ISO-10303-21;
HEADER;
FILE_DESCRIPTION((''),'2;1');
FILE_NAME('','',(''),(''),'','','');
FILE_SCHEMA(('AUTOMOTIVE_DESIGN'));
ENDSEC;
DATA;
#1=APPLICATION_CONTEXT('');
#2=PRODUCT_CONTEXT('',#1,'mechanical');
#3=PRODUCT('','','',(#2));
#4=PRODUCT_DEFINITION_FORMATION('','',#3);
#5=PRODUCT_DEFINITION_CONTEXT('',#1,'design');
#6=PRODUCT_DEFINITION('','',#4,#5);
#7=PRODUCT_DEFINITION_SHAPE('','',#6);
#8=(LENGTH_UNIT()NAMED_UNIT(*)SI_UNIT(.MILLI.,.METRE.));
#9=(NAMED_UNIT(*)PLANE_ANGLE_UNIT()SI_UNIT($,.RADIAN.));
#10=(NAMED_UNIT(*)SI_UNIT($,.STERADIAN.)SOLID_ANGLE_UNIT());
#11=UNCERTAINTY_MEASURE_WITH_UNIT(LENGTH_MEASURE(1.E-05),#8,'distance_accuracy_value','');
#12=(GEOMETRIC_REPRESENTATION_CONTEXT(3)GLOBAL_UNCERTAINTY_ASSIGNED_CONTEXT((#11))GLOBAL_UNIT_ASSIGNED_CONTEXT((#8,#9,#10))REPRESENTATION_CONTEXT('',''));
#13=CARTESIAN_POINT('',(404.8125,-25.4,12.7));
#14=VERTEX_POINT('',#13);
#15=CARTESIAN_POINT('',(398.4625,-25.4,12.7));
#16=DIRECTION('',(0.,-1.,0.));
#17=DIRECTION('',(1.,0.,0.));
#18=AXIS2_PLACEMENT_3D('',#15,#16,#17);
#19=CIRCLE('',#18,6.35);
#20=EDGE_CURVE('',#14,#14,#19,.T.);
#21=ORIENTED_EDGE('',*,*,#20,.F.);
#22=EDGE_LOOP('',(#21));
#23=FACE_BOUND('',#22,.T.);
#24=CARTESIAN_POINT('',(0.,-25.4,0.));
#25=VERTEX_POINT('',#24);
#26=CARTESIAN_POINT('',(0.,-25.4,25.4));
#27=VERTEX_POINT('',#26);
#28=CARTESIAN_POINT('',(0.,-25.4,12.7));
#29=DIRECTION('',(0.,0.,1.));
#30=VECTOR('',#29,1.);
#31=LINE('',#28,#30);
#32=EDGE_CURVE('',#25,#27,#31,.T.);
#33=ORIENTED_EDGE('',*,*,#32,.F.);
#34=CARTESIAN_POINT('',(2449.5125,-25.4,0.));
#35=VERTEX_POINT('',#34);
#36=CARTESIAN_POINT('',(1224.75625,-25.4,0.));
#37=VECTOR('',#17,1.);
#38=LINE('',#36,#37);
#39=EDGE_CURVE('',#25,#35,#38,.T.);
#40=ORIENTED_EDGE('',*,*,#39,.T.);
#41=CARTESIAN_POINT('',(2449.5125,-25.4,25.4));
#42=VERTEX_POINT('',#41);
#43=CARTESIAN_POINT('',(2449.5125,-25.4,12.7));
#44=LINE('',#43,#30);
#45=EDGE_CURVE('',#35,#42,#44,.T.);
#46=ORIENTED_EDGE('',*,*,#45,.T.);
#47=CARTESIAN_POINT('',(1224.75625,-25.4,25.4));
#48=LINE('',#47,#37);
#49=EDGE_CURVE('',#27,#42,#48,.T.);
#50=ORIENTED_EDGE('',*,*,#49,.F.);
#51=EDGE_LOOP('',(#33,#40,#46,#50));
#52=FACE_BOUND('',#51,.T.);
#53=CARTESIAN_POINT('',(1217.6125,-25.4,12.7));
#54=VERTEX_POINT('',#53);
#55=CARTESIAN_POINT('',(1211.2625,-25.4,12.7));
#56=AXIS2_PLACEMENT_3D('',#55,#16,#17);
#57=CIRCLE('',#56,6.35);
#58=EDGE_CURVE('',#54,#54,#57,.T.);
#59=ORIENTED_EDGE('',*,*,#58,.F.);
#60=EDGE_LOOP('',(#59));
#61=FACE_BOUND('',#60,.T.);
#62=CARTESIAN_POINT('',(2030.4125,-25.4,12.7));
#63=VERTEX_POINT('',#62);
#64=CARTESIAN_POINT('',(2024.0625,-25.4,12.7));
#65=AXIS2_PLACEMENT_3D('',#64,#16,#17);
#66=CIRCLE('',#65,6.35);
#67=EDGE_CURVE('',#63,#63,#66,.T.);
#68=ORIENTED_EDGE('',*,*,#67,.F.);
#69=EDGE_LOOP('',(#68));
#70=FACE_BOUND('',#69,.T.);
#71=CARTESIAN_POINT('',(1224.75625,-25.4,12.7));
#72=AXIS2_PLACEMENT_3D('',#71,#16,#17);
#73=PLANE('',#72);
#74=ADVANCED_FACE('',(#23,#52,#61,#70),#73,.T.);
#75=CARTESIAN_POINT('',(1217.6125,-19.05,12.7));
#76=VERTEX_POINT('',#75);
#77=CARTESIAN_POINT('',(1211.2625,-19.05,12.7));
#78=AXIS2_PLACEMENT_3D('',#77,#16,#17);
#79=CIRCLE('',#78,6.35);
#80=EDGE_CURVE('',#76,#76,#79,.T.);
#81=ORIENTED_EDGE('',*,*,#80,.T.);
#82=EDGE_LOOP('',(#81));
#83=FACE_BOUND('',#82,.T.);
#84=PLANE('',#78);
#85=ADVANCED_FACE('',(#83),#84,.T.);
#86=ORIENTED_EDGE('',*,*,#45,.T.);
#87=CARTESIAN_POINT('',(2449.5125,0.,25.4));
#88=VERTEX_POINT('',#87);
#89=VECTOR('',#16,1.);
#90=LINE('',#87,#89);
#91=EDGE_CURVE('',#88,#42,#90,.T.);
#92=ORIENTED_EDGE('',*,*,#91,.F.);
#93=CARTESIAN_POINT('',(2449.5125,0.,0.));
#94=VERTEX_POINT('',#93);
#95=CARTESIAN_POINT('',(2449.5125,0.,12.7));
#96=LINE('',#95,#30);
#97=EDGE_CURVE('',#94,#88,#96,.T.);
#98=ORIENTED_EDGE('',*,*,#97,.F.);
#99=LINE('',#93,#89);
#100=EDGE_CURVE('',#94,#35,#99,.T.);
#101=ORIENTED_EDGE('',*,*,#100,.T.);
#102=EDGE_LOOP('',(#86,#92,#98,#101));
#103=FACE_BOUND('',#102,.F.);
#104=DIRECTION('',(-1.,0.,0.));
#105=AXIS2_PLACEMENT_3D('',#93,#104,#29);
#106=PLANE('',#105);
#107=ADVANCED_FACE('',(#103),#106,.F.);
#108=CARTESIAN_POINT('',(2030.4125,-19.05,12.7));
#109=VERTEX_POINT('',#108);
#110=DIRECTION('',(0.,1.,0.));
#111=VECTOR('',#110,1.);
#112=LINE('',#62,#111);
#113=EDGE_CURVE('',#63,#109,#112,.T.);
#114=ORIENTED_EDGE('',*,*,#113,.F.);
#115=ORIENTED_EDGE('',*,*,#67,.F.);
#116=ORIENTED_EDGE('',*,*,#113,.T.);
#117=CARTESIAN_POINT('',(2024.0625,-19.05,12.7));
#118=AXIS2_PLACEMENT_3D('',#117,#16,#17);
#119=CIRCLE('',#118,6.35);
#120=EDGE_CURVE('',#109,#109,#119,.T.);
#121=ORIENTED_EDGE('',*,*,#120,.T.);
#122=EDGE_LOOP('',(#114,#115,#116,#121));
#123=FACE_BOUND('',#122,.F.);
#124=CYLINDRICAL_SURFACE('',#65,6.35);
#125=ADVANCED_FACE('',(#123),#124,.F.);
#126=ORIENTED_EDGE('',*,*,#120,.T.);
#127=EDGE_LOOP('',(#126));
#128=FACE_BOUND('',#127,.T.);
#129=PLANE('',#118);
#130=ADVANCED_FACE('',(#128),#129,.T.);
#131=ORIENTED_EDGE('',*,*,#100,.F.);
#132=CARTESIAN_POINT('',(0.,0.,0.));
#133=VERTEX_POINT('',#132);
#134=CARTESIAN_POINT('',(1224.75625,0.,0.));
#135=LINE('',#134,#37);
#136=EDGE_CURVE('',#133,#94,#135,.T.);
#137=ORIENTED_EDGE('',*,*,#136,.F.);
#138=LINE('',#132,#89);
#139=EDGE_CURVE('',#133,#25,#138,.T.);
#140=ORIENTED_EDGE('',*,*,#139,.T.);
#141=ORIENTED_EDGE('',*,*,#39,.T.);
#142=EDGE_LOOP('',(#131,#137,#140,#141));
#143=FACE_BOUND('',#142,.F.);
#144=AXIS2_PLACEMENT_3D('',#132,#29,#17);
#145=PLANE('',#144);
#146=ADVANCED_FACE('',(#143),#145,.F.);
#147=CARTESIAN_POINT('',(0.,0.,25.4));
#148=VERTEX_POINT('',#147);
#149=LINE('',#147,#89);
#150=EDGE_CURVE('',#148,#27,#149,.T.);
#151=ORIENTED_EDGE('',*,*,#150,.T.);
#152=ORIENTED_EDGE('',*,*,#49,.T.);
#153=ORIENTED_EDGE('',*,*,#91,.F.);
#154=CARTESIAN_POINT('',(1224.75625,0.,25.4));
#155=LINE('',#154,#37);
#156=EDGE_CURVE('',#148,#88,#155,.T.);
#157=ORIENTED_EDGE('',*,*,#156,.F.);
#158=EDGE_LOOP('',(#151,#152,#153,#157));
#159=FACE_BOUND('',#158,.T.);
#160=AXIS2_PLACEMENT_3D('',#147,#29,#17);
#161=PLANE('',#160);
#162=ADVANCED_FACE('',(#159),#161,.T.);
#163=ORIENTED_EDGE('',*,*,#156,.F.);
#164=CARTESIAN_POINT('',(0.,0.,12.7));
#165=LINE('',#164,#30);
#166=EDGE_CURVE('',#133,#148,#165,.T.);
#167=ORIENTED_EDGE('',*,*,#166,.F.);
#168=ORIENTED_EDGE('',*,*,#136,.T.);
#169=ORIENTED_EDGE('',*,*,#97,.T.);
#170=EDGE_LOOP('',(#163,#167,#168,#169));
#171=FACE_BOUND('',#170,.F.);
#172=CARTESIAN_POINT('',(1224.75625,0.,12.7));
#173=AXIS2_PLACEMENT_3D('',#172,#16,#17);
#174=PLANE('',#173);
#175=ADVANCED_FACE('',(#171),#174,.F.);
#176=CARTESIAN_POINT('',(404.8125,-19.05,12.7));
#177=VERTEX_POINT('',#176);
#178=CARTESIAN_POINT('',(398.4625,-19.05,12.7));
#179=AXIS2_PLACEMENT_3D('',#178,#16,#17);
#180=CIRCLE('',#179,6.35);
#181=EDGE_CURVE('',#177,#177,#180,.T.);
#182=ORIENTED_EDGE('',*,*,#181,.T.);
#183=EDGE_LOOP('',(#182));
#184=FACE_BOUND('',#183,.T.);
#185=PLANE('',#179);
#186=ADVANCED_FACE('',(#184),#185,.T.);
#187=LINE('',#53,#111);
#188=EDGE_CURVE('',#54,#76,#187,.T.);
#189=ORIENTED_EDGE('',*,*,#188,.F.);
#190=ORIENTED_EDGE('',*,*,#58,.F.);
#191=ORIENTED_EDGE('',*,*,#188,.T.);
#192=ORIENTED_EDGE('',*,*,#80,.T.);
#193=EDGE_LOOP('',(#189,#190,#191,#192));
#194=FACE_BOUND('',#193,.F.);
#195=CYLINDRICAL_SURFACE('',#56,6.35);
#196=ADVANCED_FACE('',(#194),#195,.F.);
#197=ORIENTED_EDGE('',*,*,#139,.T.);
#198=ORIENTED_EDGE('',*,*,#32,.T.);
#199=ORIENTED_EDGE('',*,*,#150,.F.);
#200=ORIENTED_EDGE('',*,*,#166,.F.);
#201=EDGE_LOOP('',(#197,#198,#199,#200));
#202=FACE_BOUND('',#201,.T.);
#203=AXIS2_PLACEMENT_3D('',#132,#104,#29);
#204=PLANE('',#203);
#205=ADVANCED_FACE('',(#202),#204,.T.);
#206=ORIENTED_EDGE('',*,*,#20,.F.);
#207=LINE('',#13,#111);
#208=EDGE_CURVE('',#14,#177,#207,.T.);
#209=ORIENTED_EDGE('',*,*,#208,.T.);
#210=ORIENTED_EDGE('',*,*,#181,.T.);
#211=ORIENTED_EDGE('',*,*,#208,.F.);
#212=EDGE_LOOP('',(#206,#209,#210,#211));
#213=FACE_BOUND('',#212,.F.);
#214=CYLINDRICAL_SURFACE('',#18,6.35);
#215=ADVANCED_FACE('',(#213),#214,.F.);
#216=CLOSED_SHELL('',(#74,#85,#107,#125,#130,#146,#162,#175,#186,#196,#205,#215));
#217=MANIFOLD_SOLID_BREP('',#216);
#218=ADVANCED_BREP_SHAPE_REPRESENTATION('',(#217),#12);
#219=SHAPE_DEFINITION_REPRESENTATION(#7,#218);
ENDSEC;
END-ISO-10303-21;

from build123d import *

# Parameters (mm, degrees)
F0_W     = 2449.5125
F0_H     = 25.4
F1_DEPTH = 25.4
F2_R     = 6.35
F3_DEPTH = 6.35


with BuildPart() as f1:
    # F0 (on Front) → F1 (new body)
    with BuildSketch(Plane.XZ):
        with Locations((1224.75625, 12.7)):
            Rectangle(F0_W, F0_H)
    extrude(amount=F1_DEPTH)

    # F2 (on face) → F3 (cut)
    with BuildSketch(Plane.XZ.offset(25.4)):
        with Locations((2024.0625, 12.7)):
            Circle(F2_R)
        with Locations((1211.2625, 12.7)):
            Circle(F2_R)
        with Locations((398.4625, 12.7)):
            Circle(F2_R)
    extrude(amount=-F3_DEPTH, mode=Mode.SUBTRACT)


solid = f1.part
